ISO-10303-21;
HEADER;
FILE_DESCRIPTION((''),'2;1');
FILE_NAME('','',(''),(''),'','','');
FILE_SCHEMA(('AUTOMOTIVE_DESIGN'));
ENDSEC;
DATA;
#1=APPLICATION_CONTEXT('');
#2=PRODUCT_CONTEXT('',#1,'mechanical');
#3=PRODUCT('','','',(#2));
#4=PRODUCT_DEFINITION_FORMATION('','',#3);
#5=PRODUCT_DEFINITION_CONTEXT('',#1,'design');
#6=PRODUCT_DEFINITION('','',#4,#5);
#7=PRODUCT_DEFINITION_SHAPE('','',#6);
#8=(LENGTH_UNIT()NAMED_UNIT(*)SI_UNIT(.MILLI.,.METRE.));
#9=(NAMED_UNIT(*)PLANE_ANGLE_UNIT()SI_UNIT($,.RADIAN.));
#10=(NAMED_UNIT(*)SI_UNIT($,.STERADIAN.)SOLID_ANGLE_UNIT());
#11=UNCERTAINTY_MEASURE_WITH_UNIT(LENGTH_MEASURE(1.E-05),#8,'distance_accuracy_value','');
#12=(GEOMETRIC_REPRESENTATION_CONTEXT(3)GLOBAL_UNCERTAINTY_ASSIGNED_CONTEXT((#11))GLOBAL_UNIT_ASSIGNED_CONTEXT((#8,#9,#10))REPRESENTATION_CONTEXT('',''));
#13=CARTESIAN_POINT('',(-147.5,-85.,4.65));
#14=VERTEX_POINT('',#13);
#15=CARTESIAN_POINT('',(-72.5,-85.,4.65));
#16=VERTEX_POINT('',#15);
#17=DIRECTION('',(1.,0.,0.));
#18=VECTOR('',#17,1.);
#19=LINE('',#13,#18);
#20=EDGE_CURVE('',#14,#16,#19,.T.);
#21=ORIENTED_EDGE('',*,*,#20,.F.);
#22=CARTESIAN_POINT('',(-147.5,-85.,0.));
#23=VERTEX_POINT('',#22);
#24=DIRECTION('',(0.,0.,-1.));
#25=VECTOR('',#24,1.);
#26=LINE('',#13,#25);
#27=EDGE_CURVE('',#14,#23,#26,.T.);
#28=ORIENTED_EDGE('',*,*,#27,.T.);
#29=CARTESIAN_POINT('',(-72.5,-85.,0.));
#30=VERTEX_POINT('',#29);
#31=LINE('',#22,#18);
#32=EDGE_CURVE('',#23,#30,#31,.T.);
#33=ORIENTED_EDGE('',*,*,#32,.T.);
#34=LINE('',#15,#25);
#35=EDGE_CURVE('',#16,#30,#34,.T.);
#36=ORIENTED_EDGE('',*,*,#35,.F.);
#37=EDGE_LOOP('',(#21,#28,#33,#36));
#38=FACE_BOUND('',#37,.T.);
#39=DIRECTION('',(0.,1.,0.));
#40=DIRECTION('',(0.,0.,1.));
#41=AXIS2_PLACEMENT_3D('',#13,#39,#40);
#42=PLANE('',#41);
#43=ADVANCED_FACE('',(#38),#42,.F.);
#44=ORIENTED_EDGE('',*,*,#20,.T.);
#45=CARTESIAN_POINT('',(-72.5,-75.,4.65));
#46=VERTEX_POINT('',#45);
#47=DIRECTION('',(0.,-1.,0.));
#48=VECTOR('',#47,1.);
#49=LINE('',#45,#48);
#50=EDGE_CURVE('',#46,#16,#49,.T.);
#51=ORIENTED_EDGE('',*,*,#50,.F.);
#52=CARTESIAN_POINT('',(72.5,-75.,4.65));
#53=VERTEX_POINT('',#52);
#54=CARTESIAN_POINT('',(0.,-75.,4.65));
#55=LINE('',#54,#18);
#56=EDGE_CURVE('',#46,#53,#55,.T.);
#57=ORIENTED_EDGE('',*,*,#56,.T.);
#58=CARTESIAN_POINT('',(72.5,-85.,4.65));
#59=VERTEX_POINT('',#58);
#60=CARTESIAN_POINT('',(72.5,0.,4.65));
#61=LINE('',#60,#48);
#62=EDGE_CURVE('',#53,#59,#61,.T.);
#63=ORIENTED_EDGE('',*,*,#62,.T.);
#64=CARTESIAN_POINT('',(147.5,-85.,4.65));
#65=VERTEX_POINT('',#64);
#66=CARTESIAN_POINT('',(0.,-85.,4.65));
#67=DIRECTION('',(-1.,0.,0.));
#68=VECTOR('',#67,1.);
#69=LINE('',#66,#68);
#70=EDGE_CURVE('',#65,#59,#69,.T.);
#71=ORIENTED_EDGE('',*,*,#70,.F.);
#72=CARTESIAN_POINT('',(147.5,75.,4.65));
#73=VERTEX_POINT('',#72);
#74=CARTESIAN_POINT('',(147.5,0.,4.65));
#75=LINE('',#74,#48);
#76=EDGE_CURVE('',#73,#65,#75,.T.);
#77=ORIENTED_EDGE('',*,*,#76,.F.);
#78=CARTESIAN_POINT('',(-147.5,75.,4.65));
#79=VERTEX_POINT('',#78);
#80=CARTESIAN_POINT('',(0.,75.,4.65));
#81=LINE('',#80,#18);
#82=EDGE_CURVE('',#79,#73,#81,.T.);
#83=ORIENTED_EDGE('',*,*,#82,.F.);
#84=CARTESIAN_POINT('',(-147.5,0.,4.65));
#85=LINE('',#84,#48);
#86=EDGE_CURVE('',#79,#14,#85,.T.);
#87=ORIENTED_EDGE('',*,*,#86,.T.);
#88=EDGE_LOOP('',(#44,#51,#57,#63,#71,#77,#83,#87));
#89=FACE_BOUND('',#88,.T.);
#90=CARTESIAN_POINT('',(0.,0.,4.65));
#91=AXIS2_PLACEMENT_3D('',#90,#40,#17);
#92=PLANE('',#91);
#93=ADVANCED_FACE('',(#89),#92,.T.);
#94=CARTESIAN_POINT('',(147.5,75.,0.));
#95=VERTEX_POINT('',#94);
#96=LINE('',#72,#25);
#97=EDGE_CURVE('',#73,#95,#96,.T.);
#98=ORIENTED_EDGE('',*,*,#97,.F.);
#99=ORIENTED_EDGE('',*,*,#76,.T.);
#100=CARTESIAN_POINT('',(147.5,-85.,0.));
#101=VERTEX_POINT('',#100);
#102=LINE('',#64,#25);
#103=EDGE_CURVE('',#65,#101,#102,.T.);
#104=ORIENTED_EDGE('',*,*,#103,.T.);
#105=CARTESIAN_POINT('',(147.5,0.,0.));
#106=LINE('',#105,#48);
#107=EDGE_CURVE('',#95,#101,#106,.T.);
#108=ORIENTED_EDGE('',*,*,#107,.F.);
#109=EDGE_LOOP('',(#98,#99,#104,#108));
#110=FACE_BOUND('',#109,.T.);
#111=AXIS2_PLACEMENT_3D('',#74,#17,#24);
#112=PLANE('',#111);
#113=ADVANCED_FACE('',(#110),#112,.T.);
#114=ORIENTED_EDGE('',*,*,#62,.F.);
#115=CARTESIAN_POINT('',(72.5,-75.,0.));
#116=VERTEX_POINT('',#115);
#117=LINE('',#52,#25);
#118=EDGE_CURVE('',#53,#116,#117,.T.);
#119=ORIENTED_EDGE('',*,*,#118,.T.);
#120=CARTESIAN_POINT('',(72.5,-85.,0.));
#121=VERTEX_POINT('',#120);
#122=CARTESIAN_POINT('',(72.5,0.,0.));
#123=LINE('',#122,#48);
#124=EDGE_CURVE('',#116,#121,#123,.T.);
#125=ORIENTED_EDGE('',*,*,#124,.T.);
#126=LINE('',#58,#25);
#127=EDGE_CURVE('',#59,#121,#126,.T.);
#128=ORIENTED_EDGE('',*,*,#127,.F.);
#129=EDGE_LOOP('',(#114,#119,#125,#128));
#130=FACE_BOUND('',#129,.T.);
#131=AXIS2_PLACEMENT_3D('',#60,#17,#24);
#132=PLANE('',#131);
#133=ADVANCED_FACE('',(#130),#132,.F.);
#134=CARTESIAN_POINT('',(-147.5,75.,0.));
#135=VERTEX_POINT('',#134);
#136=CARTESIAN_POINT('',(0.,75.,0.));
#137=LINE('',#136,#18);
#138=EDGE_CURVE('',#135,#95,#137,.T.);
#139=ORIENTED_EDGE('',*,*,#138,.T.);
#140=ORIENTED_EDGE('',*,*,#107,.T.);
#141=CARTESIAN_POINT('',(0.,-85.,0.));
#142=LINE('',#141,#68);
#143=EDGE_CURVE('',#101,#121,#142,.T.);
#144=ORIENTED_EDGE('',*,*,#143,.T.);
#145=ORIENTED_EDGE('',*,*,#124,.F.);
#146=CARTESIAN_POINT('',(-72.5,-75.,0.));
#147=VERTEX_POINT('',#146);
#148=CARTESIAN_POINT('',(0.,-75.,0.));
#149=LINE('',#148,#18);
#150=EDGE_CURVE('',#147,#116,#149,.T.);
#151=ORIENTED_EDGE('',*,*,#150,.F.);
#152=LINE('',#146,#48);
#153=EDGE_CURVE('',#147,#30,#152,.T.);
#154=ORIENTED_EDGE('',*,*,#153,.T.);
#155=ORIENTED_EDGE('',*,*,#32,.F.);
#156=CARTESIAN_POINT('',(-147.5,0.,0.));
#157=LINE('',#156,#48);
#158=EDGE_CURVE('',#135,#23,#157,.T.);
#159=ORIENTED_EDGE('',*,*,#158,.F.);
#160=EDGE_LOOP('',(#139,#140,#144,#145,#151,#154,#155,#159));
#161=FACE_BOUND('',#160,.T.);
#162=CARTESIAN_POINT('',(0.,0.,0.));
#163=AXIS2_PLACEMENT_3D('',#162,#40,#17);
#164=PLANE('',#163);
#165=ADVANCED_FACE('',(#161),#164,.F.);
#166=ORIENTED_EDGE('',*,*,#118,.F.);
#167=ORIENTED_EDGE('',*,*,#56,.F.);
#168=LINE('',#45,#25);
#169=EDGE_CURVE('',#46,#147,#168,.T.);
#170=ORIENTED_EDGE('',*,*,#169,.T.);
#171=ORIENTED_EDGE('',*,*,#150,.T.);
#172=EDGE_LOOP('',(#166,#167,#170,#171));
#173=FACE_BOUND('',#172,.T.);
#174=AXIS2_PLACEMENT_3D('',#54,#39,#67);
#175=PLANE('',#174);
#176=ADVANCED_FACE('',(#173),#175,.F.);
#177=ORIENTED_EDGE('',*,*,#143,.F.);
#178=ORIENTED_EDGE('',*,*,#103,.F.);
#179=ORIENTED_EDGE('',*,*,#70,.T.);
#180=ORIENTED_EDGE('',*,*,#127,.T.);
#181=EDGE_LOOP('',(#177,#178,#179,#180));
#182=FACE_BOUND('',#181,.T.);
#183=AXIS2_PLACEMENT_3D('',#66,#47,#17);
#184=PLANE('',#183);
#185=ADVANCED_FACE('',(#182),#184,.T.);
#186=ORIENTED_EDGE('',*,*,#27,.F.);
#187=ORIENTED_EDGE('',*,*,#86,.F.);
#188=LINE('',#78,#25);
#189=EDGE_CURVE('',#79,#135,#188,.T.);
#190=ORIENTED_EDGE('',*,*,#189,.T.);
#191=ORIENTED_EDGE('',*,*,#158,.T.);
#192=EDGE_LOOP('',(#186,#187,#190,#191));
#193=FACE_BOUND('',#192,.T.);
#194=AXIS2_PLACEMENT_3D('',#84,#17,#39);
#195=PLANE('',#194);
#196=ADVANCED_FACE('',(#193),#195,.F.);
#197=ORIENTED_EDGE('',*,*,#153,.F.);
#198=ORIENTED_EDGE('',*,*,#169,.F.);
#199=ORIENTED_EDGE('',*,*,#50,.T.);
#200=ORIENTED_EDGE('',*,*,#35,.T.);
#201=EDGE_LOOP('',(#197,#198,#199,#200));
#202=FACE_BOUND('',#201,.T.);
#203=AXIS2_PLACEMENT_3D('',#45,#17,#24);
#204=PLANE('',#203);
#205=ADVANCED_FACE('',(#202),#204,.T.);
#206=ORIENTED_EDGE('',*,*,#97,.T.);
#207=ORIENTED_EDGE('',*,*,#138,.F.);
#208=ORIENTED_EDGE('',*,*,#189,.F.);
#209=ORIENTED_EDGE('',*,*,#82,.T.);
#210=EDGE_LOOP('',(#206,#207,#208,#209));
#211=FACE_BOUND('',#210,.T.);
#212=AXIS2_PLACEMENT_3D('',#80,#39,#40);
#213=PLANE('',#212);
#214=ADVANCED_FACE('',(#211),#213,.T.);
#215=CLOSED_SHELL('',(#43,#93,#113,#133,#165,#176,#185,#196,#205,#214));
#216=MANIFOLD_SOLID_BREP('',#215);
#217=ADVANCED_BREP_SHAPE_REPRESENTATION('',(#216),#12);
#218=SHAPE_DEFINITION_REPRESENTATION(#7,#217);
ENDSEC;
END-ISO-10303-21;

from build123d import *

# Parameters (mm, degrees)
SKETCH1_W           = 295
SKETCH1_H           = 150
SKETCH1_W_2         = 75
SKETCH1_H_2         = 10
BOSS_EXTRUDE1_DEPTH = 4.65


with BuildPart() as part:
    # Sketch1 → Boss-Extrude1 (new body)
    with BuildSketch(Plane.XY):
        Rectangle(SKETCH1_W, SKETCH1_H)
        with Locations((110, -80)):
            Rectangle(SKETCH1_W_2, SKETCH1_H_2)
        with Locations((-110, -80)):
            Rectangle(SKETCH1_W_2, SKETCH1_H_2)
    extrude(amount=BOSS_EXTRUDE1_DEPTH)


solid = part.part
